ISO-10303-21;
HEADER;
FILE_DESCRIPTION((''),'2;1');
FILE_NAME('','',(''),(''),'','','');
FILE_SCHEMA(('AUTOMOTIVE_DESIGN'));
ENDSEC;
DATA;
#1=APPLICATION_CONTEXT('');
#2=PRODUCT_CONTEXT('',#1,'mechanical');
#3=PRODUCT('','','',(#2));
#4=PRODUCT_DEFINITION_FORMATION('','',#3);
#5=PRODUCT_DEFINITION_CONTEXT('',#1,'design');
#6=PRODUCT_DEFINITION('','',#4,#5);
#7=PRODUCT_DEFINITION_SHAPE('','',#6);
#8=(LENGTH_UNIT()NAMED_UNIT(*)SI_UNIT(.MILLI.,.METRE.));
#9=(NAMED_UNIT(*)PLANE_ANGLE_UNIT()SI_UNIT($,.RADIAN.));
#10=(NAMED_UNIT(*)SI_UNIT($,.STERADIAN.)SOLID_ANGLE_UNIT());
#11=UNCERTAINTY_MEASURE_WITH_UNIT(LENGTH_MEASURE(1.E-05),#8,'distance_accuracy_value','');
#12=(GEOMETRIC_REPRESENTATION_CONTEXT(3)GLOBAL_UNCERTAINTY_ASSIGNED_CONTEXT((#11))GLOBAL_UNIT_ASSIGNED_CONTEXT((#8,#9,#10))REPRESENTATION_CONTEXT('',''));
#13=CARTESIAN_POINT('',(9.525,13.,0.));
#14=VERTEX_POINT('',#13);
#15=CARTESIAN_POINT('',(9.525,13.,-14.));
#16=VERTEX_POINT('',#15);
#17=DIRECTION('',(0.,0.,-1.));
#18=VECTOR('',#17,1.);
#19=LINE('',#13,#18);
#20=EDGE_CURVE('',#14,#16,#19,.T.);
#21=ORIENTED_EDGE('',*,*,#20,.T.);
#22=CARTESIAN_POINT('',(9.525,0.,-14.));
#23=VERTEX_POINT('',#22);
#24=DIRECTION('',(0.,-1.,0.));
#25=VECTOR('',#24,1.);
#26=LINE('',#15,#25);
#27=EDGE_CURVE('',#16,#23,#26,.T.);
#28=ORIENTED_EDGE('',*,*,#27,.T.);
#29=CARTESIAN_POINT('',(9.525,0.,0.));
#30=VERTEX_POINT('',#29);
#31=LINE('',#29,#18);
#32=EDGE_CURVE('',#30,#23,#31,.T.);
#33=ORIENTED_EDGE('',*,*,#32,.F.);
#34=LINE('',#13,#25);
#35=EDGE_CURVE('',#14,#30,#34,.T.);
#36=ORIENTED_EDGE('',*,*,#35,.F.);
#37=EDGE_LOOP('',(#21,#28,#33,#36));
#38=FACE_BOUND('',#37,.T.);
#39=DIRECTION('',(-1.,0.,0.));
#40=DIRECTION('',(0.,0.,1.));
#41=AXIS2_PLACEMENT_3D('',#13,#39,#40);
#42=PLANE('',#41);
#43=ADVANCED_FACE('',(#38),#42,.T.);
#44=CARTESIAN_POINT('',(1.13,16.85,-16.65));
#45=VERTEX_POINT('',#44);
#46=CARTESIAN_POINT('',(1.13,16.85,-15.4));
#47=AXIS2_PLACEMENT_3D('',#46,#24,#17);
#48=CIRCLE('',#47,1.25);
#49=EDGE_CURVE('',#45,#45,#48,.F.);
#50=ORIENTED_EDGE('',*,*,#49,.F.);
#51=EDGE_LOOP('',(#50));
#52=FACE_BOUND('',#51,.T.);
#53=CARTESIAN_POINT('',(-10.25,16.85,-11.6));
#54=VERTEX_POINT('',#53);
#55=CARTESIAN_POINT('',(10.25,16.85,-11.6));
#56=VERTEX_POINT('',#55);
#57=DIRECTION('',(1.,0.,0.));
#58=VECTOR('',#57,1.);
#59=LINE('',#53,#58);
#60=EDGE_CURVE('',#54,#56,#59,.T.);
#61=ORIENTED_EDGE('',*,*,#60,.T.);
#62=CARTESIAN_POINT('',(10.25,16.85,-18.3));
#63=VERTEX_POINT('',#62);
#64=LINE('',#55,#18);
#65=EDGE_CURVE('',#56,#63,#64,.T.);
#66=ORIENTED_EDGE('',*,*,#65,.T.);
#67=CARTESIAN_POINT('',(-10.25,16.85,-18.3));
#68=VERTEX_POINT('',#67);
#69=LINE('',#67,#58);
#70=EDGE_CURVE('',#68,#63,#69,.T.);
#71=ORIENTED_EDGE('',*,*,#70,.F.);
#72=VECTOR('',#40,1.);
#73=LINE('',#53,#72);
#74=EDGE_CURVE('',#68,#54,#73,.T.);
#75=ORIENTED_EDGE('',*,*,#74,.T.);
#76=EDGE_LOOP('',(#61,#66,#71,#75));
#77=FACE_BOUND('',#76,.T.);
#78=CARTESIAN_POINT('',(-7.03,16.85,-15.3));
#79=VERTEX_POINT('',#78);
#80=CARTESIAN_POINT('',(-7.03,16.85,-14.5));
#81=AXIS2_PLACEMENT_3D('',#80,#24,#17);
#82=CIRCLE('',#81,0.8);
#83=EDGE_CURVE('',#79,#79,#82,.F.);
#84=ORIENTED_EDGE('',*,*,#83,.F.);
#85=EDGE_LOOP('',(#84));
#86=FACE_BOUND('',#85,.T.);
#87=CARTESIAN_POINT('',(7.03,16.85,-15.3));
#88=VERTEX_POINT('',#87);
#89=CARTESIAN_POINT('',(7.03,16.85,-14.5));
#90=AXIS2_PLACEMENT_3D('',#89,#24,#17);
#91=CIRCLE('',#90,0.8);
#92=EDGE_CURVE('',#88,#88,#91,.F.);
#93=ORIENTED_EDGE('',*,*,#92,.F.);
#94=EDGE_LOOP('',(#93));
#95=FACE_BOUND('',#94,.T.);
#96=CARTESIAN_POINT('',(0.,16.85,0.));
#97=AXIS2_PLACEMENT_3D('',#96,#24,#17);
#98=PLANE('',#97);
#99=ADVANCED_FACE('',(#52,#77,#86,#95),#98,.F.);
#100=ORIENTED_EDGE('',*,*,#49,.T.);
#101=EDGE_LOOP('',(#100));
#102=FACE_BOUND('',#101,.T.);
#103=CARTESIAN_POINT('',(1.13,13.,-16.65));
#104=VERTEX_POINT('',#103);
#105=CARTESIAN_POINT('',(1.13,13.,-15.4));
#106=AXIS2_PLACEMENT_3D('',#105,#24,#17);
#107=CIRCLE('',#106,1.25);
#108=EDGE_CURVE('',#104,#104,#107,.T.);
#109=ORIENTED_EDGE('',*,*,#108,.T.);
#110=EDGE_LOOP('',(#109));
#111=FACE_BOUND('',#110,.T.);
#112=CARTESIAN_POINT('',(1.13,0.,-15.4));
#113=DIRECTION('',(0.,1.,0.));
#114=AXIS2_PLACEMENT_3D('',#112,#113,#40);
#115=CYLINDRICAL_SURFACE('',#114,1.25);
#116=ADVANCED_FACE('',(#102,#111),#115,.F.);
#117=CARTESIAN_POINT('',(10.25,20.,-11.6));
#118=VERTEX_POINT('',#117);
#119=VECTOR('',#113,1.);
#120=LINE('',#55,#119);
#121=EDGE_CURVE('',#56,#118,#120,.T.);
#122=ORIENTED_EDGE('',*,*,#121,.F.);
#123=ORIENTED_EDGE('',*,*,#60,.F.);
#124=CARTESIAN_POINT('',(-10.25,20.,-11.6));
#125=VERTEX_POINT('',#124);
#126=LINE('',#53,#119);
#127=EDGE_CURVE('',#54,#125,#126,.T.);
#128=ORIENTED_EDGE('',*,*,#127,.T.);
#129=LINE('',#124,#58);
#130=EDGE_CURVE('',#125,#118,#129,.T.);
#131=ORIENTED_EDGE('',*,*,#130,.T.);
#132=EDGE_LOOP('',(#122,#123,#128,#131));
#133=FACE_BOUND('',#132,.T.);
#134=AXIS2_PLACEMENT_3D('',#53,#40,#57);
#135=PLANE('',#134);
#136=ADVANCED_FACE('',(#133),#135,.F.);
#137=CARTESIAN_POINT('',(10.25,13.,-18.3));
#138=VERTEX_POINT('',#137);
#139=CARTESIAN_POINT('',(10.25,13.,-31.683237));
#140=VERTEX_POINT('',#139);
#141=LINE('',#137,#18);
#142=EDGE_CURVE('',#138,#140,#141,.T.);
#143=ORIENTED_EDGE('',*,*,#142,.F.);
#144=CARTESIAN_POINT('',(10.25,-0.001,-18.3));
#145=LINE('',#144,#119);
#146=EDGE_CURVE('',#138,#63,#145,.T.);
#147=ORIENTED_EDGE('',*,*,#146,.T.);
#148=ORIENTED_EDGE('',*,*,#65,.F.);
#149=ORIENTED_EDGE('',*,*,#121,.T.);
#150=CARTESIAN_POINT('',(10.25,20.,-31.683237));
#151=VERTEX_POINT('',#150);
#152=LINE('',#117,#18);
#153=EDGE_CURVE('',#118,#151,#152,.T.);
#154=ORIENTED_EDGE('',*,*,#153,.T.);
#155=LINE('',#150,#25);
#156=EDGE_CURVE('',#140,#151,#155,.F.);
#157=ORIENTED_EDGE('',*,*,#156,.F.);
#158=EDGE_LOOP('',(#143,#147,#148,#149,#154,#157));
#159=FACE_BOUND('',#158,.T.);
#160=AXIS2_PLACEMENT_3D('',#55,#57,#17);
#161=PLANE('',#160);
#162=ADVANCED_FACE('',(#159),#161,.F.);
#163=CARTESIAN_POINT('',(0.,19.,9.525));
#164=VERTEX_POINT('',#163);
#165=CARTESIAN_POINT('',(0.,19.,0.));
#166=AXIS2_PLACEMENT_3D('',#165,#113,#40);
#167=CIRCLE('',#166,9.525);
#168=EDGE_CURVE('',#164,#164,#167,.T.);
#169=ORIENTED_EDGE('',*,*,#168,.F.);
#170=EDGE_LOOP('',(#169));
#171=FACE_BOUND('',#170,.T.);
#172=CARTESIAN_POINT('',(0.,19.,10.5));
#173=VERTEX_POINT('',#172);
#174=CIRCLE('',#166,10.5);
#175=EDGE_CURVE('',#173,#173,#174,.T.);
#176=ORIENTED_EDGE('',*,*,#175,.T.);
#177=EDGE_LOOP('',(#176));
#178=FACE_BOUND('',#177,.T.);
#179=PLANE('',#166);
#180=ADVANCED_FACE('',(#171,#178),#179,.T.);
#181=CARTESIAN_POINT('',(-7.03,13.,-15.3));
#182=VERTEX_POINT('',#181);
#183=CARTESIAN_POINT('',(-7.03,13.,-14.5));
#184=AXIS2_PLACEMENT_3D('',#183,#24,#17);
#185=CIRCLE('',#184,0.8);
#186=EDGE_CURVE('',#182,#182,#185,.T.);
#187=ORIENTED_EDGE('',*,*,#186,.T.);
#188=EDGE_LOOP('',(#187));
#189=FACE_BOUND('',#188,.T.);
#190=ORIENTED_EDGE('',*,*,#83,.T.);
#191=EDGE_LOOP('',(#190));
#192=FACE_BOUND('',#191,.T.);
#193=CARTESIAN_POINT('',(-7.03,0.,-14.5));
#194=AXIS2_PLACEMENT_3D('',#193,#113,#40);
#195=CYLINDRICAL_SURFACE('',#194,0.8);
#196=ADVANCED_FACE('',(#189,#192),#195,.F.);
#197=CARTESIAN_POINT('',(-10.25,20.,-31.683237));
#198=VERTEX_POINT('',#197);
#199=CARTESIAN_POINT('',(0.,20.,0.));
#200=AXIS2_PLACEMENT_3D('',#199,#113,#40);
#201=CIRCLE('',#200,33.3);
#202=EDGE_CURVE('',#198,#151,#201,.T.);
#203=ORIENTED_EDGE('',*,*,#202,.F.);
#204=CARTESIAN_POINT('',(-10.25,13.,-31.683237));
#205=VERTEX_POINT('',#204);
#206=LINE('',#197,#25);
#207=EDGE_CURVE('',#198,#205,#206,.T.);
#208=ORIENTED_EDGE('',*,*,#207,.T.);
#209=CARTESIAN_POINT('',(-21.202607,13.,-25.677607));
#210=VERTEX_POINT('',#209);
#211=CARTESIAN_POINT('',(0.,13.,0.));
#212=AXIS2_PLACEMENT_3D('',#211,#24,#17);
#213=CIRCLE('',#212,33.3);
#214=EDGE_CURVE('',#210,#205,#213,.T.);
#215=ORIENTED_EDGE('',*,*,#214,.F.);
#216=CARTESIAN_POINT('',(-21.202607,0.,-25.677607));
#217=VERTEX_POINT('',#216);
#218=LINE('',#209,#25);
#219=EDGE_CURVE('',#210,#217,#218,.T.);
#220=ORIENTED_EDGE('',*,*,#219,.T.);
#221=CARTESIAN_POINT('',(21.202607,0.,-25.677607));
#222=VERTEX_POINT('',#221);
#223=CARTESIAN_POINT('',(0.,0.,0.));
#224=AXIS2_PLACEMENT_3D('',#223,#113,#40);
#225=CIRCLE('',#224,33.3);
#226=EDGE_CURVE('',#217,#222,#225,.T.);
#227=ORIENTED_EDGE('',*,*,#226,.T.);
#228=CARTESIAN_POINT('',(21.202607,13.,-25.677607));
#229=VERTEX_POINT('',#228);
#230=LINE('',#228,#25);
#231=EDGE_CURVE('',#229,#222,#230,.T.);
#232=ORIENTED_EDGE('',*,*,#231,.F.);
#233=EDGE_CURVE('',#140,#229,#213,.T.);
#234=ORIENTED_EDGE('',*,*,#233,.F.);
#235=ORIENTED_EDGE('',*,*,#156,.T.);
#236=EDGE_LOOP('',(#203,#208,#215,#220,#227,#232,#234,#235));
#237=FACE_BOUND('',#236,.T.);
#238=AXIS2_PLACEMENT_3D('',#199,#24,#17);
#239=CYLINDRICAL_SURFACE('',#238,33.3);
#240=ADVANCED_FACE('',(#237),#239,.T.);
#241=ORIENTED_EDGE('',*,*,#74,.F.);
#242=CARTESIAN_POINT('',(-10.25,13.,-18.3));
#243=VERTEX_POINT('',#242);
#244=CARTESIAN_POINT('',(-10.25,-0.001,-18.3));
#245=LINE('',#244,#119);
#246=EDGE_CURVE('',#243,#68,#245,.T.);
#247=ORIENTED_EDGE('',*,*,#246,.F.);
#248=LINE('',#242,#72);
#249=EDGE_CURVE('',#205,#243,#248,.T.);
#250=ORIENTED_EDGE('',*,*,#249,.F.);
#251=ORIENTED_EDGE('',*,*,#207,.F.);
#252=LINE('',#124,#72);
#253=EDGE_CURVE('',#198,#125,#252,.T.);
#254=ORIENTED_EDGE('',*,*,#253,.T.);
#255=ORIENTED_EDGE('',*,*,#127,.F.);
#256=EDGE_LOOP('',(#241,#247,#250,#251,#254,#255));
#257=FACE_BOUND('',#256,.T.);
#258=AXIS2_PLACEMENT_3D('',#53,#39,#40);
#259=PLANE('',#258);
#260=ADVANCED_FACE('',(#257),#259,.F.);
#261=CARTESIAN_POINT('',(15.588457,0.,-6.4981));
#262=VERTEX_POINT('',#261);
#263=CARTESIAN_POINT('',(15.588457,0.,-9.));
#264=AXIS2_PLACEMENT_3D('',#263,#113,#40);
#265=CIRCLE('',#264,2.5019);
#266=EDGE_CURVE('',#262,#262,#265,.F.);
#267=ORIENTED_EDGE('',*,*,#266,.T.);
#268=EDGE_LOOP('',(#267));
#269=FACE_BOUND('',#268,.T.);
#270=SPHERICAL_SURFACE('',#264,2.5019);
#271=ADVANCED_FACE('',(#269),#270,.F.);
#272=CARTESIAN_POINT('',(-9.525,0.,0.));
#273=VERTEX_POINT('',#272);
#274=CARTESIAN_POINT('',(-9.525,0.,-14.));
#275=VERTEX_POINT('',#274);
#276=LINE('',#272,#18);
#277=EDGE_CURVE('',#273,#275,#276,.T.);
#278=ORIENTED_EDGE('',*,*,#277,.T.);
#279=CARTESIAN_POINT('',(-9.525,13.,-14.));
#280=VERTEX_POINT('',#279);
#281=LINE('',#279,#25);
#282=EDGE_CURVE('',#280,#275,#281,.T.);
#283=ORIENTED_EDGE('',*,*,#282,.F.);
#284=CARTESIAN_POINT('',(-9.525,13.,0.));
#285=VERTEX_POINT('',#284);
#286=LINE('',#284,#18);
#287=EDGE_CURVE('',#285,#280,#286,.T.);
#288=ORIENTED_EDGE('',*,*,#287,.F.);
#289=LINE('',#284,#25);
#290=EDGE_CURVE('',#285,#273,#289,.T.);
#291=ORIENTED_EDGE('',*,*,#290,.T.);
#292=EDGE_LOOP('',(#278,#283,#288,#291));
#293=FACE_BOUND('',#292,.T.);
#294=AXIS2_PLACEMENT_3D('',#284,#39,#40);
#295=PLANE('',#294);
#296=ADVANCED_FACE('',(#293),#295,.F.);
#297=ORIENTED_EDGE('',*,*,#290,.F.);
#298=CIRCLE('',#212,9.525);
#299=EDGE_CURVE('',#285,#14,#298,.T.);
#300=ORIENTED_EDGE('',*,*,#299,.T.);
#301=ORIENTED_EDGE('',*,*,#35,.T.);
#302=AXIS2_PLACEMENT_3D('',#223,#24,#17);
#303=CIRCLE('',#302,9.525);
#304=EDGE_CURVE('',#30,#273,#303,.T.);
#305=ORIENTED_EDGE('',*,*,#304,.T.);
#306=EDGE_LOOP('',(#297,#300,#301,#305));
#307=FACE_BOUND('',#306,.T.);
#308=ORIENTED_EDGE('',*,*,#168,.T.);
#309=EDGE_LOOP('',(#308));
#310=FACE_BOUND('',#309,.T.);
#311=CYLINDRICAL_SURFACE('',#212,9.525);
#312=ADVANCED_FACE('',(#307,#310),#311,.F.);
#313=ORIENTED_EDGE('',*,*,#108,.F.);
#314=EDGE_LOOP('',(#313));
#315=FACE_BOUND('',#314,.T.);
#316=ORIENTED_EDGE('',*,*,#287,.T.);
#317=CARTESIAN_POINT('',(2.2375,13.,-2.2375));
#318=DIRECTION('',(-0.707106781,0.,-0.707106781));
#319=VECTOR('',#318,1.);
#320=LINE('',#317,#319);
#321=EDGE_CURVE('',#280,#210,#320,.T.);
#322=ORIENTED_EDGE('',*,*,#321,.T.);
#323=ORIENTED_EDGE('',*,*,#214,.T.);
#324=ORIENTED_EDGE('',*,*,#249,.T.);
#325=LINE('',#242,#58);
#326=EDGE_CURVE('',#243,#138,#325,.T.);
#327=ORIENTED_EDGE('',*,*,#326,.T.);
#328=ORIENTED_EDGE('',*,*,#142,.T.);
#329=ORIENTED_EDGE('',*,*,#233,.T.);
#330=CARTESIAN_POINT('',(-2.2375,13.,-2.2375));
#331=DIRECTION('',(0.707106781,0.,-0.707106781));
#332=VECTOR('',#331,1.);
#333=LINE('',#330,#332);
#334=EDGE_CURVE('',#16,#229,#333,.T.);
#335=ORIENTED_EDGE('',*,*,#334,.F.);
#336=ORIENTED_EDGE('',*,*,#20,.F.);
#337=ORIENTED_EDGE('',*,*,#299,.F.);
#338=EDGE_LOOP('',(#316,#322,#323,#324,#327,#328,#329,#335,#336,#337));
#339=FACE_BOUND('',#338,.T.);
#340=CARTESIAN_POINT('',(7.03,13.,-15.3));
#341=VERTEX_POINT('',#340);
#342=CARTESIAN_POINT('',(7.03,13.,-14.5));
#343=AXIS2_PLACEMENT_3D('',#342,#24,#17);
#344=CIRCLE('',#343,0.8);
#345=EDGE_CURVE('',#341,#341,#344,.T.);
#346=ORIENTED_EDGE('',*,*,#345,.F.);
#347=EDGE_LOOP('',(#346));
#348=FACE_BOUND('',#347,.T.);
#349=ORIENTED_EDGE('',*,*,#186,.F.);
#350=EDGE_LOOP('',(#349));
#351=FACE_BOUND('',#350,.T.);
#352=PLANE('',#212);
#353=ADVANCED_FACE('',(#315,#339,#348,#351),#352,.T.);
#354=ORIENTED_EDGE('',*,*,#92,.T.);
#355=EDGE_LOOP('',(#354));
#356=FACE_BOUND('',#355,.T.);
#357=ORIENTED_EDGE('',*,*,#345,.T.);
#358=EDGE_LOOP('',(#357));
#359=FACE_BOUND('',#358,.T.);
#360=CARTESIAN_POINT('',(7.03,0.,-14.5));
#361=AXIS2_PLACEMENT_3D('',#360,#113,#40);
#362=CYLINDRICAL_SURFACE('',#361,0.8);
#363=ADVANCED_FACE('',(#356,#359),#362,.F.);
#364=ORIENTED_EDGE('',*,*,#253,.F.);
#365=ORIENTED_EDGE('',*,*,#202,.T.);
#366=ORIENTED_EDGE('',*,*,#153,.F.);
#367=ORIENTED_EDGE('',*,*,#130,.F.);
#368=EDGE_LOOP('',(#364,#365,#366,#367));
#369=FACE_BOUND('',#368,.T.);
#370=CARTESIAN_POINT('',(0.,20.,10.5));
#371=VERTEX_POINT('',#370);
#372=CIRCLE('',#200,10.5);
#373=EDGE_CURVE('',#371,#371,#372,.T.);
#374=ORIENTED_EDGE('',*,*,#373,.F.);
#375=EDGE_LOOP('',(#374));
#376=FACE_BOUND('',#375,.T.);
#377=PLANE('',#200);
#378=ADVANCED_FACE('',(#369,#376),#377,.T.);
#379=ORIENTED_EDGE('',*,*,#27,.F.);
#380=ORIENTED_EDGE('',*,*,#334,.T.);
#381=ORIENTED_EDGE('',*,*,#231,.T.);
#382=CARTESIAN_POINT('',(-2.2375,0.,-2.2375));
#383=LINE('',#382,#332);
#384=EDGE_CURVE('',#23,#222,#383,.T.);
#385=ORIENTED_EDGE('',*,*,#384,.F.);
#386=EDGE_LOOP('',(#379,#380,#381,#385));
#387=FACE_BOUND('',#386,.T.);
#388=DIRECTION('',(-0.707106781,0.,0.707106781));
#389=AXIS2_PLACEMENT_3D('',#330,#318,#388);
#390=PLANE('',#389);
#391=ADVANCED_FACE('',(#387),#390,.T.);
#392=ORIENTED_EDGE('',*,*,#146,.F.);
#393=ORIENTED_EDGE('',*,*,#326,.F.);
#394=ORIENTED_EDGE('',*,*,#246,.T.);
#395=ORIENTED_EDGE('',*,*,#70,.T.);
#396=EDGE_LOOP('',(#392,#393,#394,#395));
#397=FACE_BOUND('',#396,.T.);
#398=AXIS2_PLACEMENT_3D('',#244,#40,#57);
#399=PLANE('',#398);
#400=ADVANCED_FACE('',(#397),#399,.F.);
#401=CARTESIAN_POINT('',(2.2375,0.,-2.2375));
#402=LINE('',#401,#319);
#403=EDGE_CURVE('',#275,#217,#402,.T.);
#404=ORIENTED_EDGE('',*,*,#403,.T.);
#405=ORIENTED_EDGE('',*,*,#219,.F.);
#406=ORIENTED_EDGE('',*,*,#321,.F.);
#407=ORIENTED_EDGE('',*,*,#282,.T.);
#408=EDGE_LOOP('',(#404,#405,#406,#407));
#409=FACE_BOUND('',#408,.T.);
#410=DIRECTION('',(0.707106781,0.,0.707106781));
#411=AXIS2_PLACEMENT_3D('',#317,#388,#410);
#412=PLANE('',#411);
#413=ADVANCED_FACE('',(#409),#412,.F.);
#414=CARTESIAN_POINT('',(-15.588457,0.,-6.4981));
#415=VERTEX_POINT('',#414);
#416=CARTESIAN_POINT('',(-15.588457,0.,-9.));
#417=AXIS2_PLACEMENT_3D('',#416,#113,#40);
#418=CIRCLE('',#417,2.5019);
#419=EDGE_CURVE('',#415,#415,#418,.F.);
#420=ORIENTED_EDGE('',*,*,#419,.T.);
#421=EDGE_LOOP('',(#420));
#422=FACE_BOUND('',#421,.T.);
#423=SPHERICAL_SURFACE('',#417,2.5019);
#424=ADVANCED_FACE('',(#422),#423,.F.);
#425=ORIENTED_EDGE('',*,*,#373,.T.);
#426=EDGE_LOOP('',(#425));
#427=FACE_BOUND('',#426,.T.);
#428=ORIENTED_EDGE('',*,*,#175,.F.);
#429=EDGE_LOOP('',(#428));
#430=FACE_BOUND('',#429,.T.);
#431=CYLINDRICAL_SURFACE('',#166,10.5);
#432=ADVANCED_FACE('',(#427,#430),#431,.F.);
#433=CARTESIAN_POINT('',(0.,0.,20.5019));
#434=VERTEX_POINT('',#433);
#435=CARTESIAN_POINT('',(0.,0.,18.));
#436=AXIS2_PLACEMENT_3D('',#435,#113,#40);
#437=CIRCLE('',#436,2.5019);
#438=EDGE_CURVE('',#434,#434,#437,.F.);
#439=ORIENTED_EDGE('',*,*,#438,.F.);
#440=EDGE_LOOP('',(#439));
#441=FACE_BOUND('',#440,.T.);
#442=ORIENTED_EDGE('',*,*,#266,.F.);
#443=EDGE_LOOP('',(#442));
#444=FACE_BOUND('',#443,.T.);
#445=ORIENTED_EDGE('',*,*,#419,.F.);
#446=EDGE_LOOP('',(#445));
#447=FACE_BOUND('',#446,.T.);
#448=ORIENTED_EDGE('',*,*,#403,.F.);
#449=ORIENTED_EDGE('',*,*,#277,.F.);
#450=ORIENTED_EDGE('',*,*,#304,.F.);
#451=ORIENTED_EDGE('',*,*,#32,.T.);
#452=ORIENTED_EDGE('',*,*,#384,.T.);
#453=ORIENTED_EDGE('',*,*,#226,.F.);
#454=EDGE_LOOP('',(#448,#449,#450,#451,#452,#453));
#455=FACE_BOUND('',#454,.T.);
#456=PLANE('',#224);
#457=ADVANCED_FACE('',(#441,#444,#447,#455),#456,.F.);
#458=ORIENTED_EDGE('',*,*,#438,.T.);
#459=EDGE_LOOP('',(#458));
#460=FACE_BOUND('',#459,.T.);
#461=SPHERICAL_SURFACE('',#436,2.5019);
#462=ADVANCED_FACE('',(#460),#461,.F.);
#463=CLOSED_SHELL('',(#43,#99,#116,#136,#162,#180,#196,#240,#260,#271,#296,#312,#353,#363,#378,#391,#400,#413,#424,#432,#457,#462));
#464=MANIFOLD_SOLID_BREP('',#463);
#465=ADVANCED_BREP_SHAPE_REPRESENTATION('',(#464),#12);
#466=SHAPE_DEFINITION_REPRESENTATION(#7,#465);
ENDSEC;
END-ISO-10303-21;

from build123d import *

# Parameters (mm, degrees)
SKETCH1_R           = 33.3
BOSS_EXTRUDE1_DEPTH = 20
CIRPATTERN1_COUNT   = 3
CUT_EXTRUDE1_DEPTH  = 13
CUT_EXTRUDE3_REACH  = 53.164
SKETCH6_R           = 9.525
CUT_EXTRUDE4_START  = -1
SKETCH6_4_R         = 10.5
SKETCH6_4_R_2       = 9.525
CUT_EXTRUDE4_DEPTH  = 1
SKETCH7_R           = 0.8
SKETCH7_R_2         = 1.25
CUT_EXTRUDE5_DEPTH  = 52.164245328
SKETCH8_W           = 20.5
SKETCH8_H           = 25
CUT_EXTRUDE6_DEPTH  = 3.15
CUT_EXTRUDE7_REACH  = 52.017
SKETCH9_W           = 20.5
SKETCH9_H           = 20


with BuildPart() as part:
    # Sketch1 → Boss-Extrude1 (new body)
    with BuildSketch(Plane(origin=(0, 0, 0), x_dir=(1, 0, 0), z_dir=(0, 1, 0))):
        Circle(SKETCH1_R)
    extrude(amount=BOSS_EXTRUDE1_DEPTH)

    # Sketch3 → Cut-Revolve7 (revolve, cut)
    with BuildSketch(Plane.XZ):
        with BuildLine():
            Line((2.5019, 18), (-2.5019, 18))
            ThreePointArc((-2.5019, 18), (0, 15.4981), (2.5019, 18))
        make_face()
    cut_revolve7 = revolve(axis=Axis((3.292813159, 0, 18), (-1, 0, 0)), mode=Mode.SUBTRACT)

    # CirPattern1: Cut-Revolve7 ×3 about axis
    cirpattern1_axis = Axis((0, 0, 0), (0, 1, 0))
    for i in range(1, CIRPATTERN1_COUNT):
        add(cut_revolve7.rotate(cirpattern1_axis, i * 360 / CIRPATTERN1_COUNT), mode=Mode.SUBTRACT)

    # Sketch5 → Cut-Extrude1 (cut)
    with BuildSketch(Plane.XZ):
        with BuildLine():
            Line((9.525, -14), (9.525, 0))
            ThreePointArc((9.525, 0), (0, 9.525), (-9.525, 0))
            Line((-9.525, 0), (-9.525, -14))
            Line((-9.525, -14), (-21.202606522, -25.677606522))
            ThreePointArc((-21.202606522, -25.677606522), (0, -33.3), (21.202606522, -25.677606522))
            Line((21.202606522, -25.677606522), (9.525, -14))
        make_face()
    extrude(amount=-CUT_EXTRUDE1_DEPTH, mode=Mode.SUBTRACT)

    # Sketch6 → Cut-Extrude3 (cut, up to next)
    with BuildSketch(Plane(origin=(0, 20, 0), x_dir=(1, 0, 0), z_dir=(0, 1, 0)), mode=Mode.PRIVATE) as cut_extrude3_sk1:
        Circle(SKETCH6_R)
    cut_extrude3_tool1 = extrude(cut_extrude3_sk1.sketch, amount=-CUT_EXTRUDE3_REACH, mode=Mode.PRIVATE) & part.part
    add(cut_extrude3_tool1.solids().sort_by_distance((0, 20, 0))[0], mode=Mode.SUBTRACT)

    # Sketch6<4> → Cut-Extrude4 (cut)
    with BuildSketch(Plane(origin=(0, 20, 0), x_dir=(1, 0, 0), z_dir=(0, 1, 0)).offset(CUT_EXTRUDE4_START)):
        Circle(SKETCH6_4_R)
        Circle(SKETCH6_4_R_2, mode=Mode.SUBTRACT)
    extrude(amount=CUT_EXTRUDE4_DEPTH, mode=Mode.SUBTRACT)

    # Sketch7 → Cut-Extrude5 (cut, through all)
    with BuildSketch(Plane(origin=(0, 20, 0), x_dir=(1, 0, 0), z_dir=(0, 1, 0))):
        with Locations((-7.03, 14.5)):
            Circle(SKETCH7_R)
        with Locations((7.03, 14.5)):
            Circle(SKETCH7_R)
        with Locations((1.13, 15.4)):
            Circle(SKETCH7_R_2)
    extrude(amount=-CUT_EXTRUDE5_DEPTH, mode=Mode.SUBTRACT)

    # Sketch8 → Cut-Extrude6 (cut)
    with BuildSketch(Plane(origin=(0, 20, 0), x_dir=(1, 0, 0), z_dir=(0, 1, 0))):
        with Locations((0, 24.1)):
            Rectangle(SKETCH8_W, SKETCH8_H)
    extrude(amount=-CUT_EXTRUDE6_DEPTH, mode=Mode.SUBTRACT)

    # Sketch9 → Cut-Extrude7 (cut, up to next)
    with BuildSketch(Plane(origin=(0, 16.85, 0), x_dir=(1, 0, 0), z_dir=(0, 1, 0)), mode=Mode.PRIVATE) as cut_extrude7_sk1:
        with Locations((0, 28.3)):
            Rectangle(SKETCH9_W, SKETCH9_H)
    cut_extrude7_tool1 = extrude(cut_extrude7_sk1.sketch, amount=-CUT_EXTRUDE7_REACH, mode=Mode.PRIVATE) & part.part
    add(cut_extrude7_tool1.solids().sort_by_distance((0, 16.85, -28.3))[0], mode=Mode.SUBTRACT)


solid = part.part
